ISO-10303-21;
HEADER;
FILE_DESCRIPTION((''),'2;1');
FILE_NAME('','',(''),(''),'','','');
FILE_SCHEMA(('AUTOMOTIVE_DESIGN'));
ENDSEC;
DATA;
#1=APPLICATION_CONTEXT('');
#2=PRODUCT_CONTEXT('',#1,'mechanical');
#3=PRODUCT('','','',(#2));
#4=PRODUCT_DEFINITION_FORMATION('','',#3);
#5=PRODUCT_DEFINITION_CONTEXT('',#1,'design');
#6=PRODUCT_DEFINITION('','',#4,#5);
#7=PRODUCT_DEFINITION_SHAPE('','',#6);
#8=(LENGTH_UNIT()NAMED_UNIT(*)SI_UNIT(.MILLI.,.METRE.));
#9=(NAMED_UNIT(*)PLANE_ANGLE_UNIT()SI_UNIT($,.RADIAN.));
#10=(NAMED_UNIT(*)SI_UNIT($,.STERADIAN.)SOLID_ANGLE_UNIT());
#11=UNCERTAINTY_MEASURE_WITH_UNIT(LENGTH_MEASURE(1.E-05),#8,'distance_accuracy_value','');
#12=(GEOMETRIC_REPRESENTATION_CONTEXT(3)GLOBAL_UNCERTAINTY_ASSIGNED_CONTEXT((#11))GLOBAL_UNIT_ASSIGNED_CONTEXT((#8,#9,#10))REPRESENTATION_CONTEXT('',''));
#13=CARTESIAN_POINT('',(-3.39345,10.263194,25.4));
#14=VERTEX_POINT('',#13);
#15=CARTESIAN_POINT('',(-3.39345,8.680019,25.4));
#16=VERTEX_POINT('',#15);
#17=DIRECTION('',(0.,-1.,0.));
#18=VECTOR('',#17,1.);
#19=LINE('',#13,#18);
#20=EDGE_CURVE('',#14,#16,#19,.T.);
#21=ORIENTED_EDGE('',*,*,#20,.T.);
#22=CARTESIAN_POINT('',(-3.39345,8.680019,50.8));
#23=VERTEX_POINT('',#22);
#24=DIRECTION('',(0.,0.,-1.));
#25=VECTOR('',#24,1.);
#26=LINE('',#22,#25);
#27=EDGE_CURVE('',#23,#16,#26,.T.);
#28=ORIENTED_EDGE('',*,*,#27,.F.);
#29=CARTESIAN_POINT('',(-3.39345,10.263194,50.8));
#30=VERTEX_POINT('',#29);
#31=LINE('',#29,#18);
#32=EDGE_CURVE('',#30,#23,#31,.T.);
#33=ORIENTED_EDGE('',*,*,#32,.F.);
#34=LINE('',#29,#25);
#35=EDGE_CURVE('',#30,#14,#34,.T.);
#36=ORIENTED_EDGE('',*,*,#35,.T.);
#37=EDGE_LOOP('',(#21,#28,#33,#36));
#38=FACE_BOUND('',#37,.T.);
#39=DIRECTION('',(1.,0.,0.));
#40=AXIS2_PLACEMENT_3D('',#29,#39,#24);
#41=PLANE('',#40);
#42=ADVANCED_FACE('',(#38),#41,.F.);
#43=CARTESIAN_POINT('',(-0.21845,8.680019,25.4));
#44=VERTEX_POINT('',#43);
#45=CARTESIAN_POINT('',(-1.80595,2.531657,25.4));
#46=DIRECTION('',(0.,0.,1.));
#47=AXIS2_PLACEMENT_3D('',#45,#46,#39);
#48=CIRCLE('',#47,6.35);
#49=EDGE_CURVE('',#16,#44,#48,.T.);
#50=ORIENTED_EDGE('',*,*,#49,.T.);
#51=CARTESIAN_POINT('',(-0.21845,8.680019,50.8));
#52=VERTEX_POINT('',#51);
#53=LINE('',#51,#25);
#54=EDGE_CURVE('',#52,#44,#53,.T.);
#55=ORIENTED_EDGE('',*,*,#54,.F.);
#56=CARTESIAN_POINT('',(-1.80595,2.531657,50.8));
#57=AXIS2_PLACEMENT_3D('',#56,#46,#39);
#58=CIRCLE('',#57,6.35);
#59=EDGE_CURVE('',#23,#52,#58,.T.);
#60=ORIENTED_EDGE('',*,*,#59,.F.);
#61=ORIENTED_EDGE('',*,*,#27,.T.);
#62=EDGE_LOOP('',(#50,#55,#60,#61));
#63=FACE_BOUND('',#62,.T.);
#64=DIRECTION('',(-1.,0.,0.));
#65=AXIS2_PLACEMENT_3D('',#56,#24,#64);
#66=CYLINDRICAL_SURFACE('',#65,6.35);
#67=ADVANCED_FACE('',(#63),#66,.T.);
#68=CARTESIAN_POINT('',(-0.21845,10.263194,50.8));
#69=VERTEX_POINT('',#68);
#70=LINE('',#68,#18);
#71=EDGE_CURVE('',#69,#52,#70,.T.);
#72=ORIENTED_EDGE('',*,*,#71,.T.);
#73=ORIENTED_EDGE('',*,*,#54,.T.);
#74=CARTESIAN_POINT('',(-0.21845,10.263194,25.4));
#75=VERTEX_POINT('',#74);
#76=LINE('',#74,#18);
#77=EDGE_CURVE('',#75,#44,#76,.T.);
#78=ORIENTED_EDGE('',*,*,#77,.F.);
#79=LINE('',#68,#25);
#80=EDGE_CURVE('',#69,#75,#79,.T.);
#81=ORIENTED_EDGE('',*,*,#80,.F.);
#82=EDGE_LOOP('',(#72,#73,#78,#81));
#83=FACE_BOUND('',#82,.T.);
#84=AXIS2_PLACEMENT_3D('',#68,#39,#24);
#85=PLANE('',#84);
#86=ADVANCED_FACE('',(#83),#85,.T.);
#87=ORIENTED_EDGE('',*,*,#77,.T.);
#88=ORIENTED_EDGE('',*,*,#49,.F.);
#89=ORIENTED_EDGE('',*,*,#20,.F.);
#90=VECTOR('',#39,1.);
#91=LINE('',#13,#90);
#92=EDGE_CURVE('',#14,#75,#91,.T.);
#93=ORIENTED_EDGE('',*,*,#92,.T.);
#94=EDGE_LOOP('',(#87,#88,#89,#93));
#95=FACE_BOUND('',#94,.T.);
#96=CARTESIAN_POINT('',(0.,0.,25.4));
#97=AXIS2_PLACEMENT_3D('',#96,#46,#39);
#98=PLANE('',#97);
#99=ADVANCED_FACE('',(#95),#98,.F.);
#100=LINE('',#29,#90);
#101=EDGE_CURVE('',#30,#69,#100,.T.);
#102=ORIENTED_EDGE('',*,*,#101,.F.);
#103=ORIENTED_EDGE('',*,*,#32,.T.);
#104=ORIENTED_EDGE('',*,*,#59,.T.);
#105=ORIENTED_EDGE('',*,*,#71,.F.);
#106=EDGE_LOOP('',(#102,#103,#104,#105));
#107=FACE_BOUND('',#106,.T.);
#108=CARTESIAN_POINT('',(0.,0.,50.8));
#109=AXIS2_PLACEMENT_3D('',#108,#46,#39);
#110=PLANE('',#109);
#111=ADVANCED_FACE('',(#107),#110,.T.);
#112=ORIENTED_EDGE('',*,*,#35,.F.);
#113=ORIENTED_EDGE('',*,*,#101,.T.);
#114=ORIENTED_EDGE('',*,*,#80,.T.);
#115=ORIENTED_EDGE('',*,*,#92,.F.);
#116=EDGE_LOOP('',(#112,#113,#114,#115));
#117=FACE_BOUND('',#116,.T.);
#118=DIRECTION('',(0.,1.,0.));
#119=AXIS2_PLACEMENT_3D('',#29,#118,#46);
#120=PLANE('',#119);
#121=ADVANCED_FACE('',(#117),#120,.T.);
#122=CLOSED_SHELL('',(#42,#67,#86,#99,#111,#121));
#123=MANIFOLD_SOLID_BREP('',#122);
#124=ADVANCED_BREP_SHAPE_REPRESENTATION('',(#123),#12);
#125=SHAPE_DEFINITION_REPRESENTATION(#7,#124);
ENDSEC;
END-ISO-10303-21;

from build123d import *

# Parameters (mm, degrees)
SKETCH2_R           = 6.35
SKETCH2_W           = 3.175
SKETCH2_H           = 1.5875
BOSS_EXTRUDE2_DEPTH = 25.4


with BuildPart() as part:
    # Sketch2 → Boss-Extrude2 (new body)
    with BuildSketch(Plane.XY.offset(25.4)):
        with Locations((-1.805950464, 2.531657465)):
            Circle(SKETCH2_R)
        with Locations((-1.805950464, 9.469443562)):
            Rectangle(SKETCH2_W, SKETCH2_H)
    extrude(amount=BOSS_EXTRUDE2_DEPTH)


solid = part.part
